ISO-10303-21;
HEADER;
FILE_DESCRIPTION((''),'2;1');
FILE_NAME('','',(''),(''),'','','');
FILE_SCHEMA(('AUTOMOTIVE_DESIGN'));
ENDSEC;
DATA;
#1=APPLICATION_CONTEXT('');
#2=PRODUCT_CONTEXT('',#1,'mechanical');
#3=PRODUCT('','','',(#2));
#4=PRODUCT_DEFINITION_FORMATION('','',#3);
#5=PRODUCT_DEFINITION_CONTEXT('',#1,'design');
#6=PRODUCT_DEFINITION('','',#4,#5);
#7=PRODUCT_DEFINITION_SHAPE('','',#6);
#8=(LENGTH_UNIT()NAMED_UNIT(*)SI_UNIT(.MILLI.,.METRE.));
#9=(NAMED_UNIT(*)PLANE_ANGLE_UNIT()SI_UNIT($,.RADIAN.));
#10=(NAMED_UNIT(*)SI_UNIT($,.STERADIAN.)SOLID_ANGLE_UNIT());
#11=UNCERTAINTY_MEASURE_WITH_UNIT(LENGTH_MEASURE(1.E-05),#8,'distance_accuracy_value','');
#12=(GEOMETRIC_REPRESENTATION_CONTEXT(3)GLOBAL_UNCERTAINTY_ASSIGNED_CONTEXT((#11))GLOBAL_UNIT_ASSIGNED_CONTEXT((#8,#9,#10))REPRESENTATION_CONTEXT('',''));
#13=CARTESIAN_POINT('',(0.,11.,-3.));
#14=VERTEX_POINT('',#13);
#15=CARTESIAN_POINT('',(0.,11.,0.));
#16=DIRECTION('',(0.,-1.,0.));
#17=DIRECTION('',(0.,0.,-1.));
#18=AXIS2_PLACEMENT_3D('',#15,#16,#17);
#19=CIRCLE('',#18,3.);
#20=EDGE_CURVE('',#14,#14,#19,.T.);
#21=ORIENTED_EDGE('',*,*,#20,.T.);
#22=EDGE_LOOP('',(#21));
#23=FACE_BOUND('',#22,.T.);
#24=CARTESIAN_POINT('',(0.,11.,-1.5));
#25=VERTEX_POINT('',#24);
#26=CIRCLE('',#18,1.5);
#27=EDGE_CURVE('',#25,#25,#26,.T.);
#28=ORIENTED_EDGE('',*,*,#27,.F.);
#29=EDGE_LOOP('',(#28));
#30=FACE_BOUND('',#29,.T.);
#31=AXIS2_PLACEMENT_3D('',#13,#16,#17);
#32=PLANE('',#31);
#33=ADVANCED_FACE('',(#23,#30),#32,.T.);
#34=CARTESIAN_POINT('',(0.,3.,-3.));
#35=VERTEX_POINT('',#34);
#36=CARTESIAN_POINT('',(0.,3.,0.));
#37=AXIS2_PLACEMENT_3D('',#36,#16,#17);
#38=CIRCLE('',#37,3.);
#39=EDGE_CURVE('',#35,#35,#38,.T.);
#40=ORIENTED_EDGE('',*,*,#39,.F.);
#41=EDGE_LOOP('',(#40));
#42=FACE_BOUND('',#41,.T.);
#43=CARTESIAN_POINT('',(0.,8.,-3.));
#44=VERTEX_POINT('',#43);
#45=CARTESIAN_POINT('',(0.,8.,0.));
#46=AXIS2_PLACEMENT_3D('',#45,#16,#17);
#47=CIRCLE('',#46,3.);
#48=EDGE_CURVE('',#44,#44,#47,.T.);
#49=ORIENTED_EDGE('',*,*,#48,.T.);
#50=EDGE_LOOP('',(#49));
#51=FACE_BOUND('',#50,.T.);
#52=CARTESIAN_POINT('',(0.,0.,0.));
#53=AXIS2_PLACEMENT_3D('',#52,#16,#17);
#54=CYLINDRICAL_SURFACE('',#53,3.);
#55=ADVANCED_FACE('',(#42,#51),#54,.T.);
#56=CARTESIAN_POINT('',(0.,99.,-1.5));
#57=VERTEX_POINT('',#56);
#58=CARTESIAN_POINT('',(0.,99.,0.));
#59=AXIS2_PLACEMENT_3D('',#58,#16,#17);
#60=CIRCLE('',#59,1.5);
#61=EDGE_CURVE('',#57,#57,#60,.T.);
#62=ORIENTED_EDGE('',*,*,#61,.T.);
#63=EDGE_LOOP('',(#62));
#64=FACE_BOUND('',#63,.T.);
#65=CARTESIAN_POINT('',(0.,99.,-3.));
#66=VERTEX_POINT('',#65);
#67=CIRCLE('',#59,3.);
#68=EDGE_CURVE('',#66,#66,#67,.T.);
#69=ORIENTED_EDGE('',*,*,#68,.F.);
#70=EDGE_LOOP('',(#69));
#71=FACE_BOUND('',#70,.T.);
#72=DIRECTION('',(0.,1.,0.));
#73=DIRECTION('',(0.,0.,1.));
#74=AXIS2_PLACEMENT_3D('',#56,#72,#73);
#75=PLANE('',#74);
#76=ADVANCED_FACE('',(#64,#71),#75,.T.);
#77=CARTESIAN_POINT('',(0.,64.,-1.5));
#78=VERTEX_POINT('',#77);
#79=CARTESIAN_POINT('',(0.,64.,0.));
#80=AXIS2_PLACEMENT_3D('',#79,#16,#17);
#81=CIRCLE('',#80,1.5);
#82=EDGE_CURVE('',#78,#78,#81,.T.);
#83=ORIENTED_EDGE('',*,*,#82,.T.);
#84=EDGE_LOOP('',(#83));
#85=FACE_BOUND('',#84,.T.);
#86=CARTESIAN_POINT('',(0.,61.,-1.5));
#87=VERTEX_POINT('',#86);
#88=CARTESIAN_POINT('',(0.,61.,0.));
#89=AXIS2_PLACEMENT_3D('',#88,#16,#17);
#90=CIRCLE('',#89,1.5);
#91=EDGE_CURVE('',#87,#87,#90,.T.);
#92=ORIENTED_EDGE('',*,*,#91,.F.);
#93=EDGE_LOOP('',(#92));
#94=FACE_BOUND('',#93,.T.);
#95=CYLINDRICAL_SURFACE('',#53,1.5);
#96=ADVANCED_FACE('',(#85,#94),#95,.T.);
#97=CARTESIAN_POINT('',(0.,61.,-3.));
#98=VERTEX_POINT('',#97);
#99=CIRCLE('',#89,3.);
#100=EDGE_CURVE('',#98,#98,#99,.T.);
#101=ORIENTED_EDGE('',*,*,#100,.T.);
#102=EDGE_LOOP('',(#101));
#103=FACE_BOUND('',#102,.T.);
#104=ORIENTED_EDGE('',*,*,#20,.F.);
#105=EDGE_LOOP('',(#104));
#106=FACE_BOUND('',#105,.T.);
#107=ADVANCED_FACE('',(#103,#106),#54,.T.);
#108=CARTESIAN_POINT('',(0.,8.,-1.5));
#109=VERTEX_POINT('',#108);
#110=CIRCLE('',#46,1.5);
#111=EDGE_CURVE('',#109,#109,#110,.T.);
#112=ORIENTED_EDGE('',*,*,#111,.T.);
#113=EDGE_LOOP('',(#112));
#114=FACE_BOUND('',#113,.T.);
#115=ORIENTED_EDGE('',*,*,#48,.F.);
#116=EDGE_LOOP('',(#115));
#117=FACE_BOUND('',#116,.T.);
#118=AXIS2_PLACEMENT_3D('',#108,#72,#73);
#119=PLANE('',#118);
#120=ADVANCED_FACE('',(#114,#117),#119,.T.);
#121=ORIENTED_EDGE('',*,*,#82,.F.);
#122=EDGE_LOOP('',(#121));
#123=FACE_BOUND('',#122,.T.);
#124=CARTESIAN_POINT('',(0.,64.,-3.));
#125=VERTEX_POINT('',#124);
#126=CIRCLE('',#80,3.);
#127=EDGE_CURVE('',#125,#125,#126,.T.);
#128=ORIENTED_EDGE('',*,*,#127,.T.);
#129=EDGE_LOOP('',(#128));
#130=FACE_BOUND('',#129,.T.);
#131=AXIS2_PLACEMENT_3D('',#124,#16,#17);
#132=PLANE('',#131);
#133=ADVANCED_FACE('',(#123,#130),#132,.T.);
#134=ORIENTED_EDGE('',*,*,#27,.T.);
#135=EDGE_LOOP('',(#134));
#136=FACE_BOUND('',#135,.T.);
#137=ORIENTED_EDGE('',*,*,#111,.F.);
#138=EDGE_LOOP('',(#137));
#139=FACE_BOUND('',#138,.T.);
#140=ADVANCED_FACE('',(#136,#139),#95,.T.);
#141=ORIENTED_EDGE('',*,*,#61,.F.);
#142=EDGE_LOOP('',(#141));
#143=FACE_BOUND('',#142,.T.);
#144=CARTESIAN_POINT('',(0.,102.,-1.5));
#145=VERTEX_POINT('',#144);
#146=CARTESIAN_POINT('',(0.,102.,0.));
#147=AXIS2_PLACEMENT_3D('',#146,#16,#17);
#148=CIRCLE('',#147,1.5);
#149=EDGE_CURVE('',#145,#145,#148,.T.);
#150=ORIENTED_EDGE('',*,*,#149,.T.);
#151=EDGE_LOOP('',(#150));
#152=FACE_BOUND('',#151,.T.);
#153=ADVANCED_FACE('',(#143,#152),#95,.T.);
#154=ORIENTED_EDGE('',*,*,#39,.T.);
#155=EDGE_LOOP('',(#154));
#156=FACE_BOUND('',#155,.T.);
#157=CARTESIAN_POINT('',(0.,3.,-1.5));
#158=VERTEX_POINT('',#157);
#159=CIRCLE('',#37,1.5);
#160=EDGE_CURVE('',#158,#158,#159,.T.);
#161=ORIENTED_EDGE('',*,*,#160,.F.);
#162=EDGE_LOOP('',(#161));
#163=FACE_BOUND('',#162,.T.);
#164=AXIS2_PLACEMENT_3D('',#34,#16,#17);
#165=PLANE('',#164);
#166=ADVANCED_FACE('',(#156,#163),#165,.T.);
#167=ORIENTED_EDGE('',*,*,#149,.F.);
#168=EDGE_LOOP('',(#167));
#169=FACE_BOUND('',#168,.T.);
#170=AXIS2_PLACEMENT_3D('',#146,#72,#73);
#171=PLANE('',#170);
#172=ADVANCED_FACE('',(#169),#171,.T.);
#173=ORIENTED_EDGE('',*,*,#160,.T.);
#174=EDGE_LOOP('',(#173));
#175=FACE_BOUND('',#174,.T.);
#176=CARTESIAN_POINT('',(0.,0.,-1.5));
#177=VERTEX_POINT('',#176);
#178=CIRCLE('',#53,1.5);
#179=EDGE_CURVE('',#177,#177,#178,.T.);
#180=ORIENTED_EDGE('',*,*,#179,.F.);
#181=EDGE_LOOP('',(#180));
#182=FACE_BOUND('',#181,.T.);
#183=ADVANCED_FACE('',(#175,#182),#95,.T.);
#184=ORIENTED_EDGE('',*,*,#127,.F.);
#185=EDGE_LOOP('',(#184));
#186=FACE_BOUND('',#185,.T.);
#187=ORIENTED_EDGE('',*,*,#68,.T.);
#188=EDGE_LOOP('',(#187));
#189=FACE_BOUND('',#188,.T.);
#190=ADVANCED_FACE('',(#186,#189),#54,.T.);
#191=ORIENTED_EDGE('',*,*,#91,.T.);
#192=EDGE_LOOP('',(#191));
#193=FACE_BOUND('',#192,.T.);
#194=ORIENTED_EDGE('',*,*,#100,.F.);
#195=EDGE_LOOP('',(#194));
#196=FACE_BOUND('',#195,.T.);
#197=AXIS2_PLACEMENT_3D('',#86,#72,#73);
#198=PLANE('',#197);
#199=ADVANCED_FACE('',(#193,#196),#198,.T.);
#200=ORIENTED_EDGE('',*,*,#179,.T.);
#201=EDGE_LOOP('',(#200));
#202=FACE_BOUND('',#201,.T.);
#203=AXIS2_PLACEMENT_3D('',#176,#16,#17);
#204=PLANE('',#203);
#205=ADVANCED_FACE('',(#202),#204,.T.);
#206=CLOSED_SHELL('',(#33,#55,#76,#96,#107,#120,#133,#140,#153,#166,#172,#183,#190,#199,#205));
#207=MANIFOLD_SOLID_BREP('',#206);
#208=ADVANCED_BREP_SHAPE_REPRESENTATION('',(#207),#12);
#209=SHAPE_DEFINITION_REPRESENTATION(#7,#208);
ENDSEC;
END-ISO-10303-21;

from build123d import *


with BuildPart() as part:
    # Sketch1 → Revolve1 (revolve)
    with BuildSketch(Plane(origin=(0, 0, 0), x_dir=(0, 0, -1), z_dir=(1, 0, 0))):
        Polygon((0, 102), (1.5, 102), (1.5, 99), (3, 99), (3, 64), (1.5, 64), (1.5, 61), (3, 61), (3, 11), (1.5, 11), (1.5, 8), (3, 8), (3, 3), (1.5, 3), (1.5, 0), (0, 0), align=None)
    revolve(axis=Axis((0, 0, 0), (0, 1, 0)))


solid = part.part
